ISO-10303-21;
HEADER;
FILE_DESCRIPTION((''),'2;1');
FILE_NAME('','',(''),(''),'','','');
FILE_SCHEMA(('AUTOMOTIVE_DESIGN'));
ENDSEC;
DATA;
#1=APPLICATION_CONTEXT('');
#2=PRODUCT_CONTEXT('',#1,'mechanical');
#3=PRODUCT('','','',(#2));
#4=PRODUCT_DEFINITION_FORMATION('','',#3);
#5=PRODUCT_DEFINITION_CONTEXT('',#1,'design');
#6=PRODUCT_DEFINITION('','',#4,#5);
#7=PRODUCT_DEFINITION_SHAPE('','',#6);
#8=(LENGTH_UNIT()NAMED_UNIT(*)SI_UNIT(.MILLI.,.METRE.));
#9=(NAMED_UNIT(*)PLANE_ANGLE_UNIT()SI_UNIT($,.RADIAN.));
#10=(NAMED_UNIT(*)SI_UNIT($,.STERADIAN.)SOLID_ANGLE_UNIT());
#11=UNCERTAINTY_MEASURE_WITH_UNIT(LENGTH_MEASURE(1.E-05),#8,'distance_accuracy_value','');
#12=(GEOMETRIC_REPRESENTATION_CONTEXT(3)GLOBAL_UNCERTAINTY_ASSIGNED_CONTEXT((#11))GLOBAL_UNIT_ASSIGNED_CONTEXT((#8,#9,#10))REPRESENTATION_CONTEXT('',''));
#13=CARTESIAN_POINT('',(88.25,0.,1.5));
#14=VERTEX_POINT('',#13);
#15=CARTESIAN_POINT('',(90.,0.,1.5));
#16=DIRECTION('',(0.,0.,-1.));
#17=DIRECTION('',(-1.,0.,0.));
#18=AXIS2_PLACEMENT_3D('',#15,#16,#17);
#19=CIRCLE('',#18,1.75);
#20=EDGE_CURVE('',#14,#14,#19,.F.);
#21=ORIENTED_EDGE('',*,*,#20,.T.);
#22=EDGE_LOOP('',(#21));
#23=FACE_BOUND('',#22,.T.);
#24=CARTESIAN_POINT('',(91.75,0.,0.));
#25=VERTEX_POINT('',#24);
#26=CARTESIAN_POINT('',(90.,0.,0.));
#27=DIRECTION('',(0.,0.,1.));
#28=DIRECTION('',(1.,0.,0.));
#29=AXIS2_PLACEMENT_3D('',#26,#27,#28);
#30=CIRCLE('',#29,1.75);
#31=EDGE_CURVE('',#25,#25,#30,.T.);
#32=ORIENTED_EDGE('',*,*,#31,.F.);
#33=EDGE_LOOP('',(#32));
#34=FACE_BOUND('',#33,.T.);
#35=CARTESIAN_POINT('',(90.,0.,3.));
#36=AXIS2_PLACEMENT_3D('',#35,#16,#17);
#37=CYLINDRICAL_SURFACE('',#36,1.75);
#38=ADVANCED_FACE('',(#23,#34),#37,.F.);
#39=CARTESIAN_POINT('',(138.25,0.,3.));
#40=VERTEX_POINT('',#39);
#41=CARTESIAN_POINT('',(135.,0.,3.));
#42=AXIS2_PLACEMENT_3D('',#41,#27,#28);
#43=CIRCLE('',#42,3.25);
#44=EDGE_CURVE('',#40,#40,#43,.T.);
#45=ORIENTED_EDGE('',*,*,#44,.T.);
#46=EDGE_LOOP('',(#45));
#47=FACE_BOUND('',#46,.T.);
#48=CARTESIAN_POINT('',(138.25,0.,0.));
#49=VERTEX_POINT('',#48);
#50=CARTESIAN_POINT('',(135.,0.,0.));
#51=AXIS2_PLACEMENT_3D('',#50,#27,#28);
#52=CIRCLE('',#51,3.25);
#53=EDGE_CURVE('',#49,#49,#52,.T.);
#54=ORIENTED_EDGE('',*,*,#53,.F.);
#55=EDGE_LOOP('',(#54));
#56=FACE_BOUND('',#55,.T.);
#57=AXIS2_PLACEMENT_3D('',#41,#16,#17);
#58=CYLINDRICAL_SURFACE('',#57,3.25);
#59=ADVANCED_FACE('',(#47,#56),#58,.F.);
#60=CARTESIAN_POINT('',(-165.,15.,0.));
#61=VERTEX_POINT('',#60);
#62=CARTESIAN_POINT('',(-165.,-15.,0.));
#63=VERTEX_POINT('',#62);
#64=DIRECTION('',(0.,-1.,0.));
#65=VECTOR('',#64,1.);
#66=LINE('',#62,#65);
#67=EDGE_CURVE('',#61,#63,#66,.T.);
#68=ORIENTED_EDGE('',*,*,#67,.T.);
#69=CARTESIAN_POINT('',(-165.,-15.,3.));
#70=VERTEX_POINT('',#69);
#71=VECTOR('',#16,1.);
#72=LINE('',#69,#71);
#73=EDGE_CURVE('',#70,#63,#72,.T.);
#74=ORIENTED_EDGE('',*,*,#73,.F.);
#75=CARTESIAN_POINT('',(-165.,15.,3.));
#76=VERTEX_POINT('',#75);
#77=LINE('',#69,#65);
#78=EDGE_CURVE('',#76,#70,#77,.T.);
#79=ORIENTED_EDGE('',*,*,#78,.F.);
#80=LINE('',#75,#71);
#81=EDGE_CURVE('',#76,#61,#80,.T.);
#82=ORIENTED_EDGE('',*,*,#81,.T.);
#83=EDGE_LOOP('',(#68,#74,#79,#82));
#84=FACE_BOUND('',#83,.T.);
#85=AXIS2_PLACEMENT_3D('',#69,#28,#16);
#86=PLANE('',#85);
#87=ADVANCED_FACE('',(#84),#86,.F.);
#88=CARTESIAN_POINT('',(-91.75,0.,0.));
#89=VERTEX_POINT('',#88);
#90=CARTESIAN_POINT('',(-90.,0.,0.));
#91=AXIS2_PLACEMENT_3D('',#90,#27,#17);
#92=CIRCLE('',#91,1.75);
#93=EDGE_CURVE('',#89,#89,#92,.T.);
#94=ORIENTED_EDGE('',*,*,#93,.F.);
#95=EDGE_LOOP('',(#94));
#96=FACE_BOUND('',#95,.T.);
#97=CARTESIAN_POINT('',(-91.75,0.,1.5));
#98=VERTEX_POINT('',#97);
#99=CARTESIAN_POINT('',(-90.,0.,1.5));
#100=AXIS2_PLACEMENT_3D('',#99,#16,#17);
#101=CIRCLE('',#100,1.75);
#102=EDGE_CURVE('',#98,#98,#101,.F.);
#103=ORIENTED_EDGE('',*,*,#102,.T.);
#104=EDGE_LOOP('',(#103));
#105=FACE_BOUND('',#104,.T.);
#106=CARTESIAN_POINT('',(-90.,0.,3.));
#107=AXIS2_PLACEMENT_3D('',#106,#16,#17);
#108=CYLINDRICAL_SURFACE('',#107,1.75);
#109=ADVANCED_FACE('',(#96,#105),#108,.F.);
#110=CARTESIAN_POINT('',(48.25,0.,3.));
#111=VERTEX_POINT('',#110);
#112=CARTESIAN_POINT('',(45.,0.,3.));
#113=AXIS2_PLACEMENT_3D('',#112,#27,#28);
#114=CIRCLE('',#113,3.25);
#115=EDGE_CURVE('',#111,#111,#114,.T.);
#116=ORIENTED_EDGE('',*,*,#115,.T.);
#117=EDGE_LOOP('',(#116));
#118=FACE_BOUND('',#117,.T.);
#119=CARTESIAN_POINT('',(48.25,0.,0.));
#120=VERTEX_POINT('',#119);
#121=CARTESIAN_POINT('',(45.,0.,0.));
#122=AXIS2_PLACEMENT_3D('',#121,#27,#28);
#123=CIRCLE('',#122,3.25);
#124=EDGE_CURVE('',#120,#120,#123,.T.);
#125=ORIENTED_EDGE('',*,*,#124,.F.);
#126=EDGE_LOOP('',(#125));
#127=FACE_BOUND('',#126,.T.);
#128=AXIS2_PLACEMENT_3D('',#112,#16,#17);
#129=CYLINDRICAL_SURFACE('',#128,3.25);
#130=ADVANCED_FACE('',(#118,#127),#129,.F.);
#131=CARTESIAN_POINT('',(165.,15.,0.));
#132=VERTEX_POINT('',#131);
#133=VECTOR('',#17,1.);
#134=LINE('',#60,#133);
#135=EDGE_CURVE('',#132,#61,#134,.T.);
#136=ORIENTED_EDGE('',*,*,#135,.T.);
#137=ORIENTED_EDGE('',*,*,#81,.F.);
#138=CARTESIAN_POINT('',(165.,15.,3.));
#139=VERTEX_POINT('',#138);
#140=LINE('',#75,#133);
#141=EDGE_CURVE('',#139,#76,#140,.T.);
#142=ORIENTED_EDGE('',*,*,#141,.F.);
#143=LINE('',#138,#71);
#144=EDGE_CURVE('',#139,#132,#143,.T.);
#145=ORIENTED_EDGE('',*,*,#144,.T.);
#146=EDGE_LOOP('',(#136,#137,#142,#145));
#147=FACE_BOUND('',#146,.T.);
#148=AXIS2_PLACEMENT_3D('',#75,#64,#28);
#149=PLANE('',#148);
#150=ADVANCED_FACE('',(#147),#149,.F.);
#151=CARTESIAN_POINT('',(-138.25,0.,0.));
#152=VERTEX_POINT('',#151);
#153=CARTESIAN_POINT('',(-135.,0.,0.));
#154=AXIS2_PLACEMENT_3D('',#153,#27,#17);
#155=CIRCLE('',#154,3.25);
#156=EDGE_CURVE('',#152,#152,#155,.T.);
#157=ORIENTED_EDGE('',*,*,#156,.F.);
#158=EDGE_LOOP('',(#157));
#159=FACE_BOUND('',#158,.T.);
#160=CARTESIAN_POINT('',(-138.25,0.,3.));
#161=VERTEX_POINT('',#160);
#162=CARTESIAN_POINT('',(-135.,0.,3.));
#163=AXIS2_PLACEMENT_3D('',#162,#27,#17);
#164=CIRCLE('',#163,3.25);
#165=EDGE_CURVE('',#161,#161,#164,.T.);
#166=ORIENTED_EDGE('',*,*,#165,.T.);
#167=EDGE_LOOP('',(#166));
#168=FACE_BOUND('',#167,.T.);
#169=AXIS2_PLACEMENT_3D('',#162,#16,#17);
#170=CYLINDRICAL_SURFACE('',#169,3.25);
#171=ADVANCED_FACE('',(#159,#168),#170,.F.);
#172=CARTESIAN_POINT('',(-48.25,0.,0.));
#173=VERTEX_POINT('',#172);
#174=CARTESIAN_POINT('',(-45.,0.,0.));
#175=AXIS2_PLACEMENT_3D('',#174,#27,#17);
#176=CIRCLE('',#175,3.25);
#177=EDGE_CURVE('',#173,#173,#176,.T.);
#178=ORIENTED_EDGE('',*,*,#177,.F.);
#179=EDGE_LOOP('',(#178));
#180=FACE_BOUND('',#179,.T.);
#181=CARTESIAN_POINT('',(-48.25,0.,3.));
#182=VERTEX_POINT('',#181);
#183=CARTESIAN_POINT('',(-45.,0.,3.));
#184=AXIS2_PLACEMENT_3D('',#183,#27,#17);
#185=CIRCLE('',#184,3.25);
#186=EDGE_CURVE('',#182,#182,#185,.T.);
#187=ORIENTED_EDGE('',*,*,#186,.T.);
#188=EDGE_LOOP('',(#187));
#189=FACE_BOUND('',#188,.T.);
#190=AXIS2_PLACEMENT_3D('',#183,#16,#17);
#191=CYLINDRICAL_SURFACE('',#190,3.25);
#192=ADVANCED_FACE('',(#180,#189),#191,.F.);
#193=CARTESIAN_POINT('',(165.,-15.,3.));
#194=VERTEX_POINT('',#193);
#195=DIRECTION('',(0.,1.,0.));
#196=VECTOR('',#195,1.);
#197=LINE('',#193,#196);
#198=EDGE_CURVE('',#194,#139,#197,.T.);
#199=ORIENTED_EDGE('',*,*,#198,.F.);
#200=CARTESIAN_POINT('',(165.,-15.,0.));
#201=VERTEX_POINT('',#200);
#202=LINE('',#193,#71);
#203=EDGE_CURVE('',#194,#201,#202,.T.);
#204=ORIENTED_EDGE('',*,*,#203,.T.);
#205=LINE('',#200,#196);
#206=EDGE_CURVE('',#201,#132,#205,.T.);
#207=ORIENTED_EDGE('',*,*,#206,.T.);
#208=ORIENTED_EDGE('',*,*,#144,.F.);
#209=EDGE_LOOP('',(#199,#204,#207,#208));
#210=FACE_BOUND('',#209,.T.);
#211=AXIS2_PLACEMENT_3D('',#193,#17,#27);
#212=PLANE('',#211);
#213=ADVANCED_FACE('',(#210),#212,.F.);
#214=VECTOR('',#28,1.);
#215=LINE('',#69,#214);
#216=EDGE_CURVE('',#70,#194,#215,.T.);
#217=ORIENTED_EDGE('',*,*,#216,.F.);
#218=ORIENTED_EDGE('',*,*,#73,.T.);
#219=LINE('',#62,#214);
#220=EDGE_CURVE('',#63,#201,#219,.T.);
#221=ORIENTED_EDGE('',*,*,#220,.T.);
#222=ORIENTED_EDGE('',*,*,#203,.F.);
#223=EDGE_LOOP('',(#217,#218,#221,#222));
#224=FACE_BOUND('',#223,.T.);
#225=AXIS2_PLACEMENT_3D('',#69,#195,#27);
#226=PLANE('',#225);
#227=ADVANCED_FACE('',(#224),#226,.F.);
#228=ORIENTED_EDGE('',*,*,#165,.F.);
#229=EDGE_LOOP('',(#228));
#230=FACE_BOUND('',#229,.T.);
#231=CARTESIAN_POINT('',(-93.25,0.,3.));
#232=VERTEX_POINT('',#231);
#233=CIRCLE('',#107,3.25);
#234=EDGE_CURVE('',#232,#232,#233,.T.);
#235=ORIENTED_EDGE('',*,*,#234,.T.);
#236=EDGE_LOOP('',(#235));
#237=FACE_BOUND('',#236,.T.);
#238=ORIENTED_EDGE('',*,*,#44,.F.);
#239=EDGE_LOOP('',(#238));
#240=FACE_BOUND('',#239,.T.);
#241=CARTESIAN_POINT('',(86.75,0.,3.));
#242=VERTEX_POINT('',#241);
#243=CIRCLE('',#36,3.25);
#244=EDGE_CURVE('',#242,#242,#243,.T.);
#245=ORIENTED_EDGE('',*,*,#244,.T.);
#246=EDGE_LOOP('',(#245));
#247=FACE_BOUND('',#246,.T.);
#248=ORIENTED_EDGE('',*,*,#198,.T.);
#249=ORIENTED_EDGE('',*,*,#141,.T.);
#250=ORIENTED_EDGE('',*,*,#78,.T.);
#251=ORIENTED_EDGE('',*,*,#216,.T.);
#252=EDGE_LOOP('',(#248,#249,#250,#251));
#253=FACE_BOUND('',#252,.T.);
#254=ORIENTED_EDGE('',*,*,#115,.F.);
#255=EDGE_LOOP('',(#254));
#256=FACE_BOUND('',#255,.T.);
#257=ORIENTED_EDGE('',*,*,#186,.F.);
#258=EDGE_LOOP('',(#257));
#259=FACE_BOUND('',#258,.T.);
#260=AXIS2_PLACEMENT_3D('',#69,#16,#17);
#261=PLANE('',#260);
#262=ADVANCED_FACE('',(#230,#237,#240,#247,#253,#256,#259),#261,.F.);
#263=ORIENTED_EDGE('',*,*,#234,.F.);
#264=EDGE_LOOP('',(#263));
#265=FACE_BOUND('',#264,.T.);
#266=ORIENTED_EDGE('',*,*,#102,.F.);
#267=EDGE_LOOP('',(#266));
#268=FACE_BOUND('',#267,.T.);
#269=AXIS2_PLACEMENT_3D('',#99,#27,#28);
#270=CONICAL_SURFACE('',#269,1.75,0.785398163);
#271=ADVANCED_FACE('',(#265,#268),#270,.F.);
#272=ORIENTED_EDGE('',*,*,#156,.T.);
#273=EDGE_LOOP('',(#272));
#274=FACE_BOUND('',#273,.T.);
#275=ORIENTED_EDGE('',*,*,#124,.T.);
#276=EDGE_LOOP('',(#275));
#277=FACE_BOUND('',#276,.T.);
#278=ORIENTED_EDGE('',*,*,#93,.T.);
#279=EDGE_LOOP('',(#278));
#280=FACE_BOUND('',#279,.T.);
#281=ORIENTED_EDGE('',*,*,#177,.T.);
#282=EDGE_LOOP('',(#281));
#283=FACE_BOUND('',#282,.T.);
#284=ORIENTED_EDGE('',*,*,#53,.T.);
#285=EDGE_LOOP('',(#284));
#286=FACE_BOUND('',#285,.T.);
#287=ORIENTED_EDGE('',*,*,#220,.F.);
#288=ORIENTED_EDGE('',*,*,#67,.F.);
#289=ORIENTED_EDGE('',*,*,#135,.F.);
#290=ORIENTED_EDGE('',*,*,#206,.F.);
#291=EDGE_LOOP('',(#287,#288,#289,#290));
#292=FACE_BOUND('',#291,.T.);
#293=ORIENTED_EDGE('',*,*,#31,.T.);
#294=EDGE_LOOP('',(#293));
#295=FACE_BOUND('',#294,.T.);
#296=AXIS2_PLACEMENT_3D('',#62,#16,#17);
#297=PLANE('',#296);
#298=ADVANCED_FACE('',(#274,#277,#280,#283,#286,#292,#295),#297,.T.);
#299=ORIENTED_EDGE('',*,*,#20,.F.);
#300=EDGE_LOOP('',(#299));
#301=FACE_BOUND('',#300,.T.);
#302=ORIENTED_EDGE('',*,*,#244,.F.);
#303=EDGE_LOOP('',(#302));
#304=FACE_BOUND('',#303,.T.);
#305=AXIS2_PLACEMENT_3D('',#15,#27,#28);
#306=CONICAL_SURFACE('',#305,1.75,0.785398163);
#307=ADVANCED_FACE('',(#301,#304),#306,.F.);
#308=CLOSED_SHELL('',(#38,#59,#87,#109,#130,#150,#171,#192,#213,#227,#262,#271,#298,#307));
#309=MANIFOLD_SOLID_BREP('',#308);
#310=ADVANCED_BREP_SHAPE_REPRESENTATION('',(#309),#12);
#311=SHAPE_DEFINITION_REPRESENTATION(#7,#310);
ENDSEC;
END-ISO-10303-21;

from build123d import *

# Parameters (mm, degrees)
SKETCH_1_W      = 330
SKETCH_1_H      = 30
SKETCH_1_R      = 3.25
SKETCH_1_R_2    = 1.75
EXTRUDE_1_DEPTH = 3
CHAMFER_1_SIZE  = 1.5


with BuildPart() as part:
    # Эскиз1 → Вытянуть1 (new body)
    with BuildSketch(Plane.XY):
        Rectangle(SKETCH_1_W, SKETCH_1_H)
        with Locations((135, 0)):
            Circle(SKETCH_1_R, mode=Mode.SUBTRACT)
        with Locations((90, 0)):
            Circle(SKETCH_1_R_2, mode=Mode.SUBTRACT)
        with Locations((45, 0)):
            Circle(SKETCH_1_R, mode=Mode.SUBTRACT)
        with Locations(Location((-45, 0, 0), (0, 0, 180))):
            Circle(SKETCH_1_R, mode=Mode.SUBTRACT)
        with Locations(Location((-90, 0, 0), (0, 0, 180))):
            Circle(SKETCH_1_R_2, mode=Mode.SUBTRACT)
        with Locations(Location((-135, 0, 0), (0, 0, 180))):
            Circle(SKETCH_1_R, mode=Mode.SUBTRACT)
    extrude(amount=EXTRUDE_1_DEPTH)

    # Фаска1
    chamfer_1_edges = [part.edges().sort_by_distance(p)[0] for p in [
        (88.25, 0, 3),
        (-88.25, 0, 3),
    ]]
    chamfer(chamfer_1_edges, length=CHAMFER_1_SIZE)


solid = part.part
